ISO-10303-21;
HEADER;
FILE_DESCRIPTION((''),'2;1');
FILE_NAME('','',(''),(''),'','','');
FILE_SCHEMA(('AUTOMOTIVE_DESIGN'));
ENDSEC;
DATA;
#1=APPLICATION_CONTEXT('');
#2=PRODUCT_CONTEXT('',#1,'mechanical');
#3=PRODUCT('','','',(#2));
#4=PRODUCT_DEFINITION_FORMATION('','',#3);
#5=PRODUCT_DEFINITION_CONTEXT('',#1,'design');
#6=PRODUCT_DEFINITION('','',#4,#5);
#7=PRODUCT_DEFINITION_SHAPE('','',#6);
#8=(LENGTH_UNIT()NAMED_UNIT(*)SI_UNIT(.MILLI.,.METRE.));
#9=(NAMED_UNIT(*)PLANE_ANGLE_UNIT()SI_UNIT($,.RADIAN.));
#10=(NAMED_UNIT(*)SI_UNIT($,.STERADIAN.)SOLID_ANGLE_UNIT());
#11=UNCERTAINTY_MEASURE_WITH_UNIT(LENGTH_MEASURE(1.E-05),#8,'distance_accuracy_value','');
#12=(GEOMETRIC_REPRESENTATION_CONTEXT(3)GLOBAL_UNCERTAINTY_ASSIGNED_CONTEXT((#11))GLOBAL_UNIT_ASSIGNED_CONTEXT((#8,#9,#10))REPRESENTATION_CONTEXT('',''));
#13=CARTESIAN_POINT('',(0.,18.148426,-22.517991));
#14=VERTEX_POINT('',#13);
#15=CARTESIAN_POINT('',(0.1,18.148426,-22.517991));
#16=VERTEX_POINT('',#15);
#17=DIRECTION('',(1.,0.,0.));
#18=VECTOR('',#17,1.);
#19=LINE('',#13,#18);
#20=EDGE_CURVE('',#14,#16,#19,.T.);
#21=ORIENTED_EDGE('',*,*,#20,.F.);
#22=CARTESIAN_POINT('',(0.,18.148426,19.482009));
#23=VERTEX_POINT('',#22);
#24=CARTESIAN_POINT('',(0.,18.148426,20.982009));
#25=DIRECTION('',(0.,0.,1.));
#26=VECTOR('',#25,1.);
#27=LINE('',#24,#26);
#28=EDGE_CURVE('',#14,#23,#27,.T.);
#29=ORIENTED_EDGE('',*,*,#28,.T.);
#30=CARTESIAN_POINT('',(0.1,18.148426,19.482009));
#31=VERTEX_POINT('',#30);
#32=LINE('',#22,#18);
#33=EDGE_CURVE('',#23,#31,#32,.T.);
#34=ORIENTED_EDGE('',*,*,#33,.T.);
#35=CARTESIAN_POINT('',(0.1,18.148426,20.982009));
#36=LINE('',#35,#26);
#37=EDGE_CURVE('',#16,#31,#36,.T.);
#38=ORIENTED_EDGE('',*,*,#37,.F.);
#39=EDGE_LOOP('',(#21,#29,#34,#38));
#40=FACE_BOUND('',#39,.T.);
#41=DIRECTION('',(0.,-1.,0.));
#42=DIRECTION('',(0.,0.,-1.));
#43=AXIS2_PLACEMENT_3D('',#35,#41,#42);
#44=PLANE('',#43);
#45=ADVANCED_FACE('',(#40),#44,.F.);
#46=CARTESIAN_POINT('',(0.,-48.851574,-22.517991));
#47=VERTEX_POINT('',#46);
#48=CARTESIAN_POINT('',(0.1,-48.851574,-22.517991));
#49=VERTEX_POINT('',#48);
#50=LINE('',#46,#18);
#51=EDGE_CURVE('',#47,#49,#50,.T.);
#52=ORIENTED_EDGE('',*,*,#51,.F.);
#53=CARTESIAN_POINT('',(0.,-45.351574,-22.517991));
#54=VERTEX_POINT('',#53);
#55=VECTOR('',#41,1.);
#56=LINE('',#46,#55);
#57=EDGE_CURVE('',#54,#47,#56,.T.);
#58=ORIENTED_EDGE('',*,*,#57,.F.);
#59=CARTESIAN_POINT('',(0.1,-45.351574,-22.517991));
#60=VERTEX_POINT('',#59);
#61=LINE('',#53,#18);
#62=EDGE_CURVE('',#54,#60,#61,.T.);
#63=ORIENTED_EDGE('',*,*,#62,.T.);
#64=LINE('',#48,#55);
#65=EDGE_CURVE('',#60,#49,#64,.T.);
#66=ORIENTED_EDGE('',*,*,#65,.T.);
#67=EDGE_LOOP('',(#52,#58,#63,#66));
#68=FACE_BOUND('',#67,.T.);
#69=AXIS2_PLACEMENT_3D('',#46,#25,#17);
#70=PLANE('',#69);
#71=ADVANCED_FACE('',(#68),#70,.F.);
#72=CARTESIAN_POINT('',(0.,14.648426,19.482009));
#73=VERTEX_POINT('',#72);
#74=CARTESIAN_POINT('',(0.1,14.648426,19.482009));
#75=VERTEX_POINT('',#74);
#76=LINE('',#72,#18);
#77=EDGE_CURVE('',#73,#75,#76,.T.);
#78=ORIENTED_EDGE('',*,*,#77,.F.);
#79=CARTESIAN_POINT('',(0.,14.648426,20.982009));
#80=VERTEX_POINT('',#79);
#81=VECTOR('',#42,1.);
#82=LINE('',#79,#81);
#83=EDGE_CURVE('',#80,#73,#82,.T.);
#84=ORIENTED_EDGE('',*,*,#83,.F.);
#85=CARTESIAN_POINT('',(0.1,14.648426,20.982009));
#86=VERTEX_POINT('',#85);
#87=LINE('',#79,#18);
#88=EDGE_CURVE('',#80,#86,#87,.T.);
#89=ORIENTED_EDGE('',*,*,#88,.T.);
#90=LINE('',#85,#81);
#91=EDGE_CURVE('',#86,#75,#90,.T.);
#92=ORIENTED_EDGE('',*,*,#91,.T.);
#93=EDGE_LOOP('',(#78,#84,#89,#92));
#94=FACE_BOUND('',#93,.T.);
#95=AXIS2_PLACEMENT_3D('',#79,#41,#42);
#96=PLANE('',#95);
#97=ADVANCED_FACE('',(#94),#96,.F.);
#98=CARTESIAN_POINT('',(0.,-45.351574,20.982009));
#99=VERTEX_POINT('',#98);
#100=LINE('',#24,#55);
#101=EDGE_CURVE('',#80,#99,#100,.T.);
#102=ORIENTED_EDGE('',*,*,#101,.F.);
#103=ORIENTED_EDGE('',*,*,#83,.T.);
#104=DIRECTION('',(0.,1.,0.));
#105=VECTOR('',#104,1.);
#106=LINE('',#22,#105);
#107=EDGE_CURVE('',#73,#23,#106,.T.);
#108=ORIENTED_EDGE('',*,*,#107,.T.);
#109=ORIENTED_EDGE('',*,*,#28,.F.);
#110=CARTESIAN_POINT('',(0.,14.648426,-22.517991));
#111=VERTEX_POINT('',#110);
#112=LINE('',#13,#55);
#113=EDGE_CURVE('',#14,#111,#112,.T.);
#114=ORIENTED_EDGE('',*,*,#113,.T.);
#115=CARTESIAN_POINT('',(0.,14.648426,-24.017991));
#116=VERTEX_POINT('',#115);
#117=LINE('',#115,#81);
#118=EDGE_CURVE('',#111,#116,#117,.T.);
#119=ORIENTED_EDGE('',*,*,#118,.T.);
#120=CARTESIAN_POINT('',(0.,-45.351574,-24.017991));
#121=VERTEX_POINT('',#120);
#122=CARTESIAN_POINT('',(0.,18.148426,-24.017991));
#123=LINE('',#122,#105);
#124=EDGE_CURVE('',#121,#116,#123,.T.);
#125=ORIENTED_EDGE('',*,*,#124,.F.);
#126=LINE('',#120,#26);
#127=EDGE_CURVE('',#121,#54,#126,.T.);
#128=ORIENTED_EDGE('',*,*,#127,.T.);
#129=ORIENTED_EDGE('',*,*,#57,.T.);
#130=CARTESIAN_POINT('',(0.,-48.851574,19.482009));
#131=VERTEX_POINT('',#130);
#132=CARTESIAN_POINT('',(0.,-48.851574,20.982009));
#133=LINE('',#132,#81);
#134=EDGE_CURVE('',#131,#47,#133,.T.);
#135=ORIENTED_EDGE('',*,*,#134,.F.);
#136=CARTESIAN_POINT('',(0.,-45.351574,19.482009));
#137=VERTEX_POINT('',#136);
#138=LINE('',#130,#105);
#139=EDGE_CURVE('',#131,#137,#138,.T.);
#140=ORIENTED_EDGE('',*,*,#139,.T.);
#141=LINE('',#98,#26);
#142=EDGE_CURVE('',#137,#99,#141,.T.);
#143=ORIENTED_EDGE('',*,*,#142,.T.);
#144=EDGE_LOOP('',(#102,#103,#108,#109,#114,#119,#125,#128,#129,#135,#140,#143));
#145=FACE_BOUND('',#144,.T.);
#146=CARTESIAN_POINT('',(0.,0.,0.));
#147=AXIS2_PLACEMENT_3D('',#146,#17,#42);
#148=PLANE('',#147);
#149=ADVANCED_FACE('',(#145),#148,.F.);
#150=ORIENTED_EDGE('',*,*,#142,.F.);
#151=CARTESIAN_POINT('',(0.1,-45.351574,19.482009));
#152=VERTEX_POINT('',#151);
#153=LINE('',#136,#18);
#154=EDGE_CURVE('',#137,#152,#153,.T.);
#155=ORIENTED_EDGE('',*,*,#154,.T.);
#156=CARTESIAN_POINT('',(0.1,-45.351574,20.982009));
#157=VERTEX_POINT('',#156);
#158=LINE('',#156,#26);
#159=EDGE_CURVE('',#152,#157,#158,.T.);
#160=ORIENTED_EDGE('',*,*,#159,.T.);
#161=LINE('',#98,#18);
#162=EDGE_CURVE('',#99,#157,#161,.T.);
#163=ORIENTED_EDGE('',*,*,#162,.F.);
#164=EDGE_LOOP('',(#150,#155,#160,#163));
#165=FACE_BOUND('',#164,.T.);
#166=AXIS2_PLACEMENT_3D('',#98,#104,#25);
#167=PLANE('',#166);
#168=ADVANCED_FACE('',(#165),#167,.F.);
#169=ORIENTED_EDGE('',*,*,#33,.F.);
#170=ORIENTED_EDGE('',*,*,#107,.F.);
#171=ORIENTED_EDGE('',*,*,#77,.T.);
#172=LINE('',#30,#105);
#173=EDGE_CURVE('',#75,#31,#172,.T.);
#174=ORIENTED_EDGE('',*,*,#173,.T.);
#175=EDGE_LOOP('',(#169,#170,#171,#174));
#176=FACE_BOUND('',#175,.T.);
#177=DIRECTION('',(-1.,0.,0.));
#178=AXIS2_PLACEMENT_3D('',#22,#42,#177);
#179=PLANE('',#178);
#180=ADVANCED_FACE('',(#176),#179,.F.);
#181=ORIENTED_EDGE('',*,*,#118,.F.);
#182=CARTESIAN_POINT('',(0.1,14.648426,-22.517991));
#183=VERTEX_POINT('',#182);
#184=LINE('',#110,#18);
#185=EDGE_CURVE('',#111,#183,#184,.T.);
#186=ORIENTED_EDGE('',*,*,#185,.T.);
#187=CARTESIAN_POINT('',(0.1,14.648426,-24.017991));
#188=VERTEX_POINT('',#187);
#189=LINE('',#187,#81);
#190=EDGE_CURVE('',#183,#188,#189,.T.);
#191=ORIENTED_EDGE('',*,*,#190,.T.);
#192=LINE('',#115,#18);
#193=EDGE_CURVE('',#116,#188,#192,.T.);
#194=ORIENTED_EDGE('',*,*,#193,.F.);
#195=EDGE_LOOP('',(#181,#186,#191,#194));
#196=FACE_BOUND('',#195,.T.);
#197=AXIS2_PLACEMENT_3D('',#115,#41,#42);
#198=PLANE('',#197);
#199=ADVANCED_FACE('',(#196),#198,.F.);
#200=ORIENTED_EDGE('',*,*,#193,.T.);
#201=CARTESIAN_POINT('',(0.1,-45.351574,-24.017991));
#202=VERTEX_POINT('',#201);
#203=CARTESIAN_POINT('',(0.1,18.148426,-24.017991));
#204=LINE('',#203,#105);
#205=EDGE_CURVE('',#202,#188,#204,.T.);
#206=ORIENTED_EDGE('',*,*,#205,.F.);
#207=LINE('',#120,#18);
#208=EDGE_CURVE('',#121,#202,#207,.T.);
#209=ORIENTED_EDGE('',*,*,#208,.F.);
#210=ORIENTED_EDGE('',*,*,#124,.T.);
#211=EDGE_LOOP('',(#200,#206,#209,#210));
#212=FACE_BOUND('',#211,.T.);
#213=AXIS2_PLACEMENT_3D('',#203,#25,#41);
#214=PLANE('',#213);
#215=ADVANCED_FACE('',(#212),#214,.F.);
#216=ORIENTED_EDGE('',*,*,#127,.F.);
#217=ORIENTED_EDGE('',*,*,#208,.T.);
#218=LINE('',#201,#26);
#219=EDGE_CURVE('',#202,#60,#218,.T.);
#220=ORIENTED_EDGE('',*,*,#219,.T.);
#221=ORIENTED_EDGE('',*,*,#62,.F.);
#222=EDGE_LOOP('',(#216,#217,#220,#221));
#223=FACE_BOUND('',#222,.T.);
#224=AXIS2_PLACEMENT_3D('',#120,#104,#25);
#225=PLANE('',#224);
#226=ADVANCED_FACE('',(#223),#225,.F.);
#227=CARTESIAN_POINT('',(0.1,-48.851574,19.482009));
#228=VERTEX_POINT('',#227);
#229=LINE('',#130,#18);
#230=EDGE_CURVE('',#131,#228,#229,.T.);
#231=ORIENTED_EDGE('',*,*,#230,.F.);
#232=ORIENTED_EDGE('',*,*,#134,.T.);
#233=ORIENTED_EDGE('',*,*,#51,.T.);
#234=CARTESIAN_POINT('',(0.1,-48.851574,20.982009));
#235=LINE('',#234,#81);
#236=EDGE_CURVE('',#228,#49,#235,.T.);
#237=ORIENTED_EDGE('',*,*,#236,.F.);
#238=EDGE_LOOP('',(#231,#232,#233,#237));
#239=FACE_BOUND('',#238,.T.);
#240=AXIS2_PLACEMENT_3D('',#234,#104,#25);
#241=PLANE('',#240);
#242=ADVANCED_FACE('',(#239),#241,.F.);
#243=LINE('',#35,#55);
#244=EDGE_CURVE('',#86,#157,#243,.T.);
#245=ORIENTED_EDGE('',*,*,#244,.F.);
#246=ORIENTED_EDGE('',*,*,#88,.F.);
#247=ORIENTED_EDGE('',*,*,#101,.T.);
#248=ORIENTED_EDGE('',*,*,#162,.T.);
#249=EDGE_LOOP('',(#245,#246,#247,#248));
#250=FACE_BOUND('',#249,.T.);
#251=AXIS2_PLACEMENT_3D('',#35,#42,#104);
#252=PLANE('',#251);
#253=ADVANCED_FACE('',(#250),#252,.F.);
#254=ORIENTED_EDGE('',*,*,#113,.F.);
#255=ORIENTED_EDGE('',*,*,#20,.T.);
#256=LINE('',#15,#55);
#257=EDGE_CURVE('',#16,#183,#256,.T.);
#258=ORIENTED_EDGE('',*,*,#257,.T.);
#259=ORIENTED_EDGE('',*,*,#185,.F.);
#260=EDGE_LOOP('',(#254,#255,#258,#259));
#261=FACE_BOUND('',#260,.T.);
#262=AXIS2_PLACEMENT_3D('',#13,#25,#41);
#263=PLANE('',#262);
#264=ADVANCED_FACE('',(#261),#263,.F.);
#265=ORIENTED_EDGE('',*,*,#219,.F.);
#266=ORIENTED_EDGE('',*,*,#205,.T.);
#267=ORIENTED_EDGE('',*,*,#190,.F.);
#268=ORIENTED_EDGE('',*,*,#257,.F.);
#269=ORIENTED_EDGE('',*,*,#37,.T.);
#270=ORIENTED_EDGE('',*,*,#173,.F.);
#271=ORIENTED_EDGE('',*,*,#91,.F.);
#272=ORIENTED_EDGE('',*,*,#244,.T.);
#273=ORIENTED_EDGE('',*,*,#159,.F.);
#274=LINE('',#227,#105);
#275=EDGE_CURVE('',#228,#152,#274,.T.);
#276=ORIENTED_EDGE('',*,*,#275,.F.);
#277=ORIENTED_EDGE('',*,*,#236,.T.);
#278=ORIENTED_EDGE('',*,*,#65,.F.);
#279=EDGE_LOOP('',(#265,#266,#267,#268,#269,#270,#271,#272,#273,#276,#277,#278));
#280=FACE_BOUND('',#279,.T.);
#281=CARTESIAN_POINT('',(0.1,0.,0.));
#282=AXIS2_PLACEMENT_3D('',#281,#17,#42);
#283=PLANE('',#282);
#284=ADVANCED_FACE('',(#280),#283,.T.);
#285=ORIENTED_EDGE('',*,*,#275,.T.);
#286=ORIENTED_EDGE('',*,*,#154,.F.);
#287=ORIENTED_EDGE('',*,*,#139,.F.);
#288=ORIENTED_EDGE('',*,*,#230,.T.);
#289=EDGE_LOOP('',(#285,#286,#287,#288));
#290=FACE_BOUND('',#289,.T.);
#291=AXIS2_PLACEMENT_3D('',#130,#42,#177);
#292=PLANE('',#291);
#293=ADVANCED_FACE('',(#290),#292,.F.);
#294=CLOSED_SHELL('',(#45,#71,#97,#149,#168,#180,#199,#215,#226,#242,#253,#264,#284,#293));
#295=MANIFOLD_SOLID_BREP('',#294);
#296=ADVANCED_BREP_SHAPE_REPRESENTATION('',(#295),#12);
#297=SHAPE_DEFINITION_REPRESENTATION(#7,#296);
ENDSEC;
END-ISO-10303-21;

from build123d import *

# Parameters (mm, degrees)
SKETCH1_W           = 45
SKETCH1_H           = 67
BOSS_EXTRUDE1_DEPTH = 0.1
SKETCH3_W           = 1.5
SKETCH3_H           = 3.5
CUT_EXTRUDE1_DEPTH  = 0.1


with BuildPart() as part:
    # Sketch1 → Boss-Extrude1 (new body)
    with BuildSketch(Plane(origin=(0, 0, 0), x_dir=(0, 0, -1), z_dir=(1, 0, 0))):
        with Locations((1.517991004, -15.351574213)):
            Rectangle(SKETCH1_W, SKETCH1_H)
    extrude(amount=BOSS_EXTRUDE1_DEPTH)

    # Sketch3 → Cut-Extrude1 (cut)
    with BuildSketch(Plane(origin=(0.1, 0, 0), x_dir=(0, 0, -1), z_dir=(1, 0, 0))):
        with Locations((-20.232008996, 16.398425787)):
            Rectangle(SKETCH3_W, SKETCH3_H)
        with Locations((23.267991004, 16.398425787)):
            Rectangle(SKETCH3_W, SKETCH3_H)
        with Locations((-20.232008996, -47.101574213)):
            Rectangle(SKETCH3_W, SKETCH3_H)
        with Locations((23.267991004, -47.101574213)):
            Rectangle(SKETCH3_W, SKETCH3_H)
    extrude(amount=-CUT_EXTRUDE1_DEPTH, mode=Mode.SUBTRACT)


solid = part.part
